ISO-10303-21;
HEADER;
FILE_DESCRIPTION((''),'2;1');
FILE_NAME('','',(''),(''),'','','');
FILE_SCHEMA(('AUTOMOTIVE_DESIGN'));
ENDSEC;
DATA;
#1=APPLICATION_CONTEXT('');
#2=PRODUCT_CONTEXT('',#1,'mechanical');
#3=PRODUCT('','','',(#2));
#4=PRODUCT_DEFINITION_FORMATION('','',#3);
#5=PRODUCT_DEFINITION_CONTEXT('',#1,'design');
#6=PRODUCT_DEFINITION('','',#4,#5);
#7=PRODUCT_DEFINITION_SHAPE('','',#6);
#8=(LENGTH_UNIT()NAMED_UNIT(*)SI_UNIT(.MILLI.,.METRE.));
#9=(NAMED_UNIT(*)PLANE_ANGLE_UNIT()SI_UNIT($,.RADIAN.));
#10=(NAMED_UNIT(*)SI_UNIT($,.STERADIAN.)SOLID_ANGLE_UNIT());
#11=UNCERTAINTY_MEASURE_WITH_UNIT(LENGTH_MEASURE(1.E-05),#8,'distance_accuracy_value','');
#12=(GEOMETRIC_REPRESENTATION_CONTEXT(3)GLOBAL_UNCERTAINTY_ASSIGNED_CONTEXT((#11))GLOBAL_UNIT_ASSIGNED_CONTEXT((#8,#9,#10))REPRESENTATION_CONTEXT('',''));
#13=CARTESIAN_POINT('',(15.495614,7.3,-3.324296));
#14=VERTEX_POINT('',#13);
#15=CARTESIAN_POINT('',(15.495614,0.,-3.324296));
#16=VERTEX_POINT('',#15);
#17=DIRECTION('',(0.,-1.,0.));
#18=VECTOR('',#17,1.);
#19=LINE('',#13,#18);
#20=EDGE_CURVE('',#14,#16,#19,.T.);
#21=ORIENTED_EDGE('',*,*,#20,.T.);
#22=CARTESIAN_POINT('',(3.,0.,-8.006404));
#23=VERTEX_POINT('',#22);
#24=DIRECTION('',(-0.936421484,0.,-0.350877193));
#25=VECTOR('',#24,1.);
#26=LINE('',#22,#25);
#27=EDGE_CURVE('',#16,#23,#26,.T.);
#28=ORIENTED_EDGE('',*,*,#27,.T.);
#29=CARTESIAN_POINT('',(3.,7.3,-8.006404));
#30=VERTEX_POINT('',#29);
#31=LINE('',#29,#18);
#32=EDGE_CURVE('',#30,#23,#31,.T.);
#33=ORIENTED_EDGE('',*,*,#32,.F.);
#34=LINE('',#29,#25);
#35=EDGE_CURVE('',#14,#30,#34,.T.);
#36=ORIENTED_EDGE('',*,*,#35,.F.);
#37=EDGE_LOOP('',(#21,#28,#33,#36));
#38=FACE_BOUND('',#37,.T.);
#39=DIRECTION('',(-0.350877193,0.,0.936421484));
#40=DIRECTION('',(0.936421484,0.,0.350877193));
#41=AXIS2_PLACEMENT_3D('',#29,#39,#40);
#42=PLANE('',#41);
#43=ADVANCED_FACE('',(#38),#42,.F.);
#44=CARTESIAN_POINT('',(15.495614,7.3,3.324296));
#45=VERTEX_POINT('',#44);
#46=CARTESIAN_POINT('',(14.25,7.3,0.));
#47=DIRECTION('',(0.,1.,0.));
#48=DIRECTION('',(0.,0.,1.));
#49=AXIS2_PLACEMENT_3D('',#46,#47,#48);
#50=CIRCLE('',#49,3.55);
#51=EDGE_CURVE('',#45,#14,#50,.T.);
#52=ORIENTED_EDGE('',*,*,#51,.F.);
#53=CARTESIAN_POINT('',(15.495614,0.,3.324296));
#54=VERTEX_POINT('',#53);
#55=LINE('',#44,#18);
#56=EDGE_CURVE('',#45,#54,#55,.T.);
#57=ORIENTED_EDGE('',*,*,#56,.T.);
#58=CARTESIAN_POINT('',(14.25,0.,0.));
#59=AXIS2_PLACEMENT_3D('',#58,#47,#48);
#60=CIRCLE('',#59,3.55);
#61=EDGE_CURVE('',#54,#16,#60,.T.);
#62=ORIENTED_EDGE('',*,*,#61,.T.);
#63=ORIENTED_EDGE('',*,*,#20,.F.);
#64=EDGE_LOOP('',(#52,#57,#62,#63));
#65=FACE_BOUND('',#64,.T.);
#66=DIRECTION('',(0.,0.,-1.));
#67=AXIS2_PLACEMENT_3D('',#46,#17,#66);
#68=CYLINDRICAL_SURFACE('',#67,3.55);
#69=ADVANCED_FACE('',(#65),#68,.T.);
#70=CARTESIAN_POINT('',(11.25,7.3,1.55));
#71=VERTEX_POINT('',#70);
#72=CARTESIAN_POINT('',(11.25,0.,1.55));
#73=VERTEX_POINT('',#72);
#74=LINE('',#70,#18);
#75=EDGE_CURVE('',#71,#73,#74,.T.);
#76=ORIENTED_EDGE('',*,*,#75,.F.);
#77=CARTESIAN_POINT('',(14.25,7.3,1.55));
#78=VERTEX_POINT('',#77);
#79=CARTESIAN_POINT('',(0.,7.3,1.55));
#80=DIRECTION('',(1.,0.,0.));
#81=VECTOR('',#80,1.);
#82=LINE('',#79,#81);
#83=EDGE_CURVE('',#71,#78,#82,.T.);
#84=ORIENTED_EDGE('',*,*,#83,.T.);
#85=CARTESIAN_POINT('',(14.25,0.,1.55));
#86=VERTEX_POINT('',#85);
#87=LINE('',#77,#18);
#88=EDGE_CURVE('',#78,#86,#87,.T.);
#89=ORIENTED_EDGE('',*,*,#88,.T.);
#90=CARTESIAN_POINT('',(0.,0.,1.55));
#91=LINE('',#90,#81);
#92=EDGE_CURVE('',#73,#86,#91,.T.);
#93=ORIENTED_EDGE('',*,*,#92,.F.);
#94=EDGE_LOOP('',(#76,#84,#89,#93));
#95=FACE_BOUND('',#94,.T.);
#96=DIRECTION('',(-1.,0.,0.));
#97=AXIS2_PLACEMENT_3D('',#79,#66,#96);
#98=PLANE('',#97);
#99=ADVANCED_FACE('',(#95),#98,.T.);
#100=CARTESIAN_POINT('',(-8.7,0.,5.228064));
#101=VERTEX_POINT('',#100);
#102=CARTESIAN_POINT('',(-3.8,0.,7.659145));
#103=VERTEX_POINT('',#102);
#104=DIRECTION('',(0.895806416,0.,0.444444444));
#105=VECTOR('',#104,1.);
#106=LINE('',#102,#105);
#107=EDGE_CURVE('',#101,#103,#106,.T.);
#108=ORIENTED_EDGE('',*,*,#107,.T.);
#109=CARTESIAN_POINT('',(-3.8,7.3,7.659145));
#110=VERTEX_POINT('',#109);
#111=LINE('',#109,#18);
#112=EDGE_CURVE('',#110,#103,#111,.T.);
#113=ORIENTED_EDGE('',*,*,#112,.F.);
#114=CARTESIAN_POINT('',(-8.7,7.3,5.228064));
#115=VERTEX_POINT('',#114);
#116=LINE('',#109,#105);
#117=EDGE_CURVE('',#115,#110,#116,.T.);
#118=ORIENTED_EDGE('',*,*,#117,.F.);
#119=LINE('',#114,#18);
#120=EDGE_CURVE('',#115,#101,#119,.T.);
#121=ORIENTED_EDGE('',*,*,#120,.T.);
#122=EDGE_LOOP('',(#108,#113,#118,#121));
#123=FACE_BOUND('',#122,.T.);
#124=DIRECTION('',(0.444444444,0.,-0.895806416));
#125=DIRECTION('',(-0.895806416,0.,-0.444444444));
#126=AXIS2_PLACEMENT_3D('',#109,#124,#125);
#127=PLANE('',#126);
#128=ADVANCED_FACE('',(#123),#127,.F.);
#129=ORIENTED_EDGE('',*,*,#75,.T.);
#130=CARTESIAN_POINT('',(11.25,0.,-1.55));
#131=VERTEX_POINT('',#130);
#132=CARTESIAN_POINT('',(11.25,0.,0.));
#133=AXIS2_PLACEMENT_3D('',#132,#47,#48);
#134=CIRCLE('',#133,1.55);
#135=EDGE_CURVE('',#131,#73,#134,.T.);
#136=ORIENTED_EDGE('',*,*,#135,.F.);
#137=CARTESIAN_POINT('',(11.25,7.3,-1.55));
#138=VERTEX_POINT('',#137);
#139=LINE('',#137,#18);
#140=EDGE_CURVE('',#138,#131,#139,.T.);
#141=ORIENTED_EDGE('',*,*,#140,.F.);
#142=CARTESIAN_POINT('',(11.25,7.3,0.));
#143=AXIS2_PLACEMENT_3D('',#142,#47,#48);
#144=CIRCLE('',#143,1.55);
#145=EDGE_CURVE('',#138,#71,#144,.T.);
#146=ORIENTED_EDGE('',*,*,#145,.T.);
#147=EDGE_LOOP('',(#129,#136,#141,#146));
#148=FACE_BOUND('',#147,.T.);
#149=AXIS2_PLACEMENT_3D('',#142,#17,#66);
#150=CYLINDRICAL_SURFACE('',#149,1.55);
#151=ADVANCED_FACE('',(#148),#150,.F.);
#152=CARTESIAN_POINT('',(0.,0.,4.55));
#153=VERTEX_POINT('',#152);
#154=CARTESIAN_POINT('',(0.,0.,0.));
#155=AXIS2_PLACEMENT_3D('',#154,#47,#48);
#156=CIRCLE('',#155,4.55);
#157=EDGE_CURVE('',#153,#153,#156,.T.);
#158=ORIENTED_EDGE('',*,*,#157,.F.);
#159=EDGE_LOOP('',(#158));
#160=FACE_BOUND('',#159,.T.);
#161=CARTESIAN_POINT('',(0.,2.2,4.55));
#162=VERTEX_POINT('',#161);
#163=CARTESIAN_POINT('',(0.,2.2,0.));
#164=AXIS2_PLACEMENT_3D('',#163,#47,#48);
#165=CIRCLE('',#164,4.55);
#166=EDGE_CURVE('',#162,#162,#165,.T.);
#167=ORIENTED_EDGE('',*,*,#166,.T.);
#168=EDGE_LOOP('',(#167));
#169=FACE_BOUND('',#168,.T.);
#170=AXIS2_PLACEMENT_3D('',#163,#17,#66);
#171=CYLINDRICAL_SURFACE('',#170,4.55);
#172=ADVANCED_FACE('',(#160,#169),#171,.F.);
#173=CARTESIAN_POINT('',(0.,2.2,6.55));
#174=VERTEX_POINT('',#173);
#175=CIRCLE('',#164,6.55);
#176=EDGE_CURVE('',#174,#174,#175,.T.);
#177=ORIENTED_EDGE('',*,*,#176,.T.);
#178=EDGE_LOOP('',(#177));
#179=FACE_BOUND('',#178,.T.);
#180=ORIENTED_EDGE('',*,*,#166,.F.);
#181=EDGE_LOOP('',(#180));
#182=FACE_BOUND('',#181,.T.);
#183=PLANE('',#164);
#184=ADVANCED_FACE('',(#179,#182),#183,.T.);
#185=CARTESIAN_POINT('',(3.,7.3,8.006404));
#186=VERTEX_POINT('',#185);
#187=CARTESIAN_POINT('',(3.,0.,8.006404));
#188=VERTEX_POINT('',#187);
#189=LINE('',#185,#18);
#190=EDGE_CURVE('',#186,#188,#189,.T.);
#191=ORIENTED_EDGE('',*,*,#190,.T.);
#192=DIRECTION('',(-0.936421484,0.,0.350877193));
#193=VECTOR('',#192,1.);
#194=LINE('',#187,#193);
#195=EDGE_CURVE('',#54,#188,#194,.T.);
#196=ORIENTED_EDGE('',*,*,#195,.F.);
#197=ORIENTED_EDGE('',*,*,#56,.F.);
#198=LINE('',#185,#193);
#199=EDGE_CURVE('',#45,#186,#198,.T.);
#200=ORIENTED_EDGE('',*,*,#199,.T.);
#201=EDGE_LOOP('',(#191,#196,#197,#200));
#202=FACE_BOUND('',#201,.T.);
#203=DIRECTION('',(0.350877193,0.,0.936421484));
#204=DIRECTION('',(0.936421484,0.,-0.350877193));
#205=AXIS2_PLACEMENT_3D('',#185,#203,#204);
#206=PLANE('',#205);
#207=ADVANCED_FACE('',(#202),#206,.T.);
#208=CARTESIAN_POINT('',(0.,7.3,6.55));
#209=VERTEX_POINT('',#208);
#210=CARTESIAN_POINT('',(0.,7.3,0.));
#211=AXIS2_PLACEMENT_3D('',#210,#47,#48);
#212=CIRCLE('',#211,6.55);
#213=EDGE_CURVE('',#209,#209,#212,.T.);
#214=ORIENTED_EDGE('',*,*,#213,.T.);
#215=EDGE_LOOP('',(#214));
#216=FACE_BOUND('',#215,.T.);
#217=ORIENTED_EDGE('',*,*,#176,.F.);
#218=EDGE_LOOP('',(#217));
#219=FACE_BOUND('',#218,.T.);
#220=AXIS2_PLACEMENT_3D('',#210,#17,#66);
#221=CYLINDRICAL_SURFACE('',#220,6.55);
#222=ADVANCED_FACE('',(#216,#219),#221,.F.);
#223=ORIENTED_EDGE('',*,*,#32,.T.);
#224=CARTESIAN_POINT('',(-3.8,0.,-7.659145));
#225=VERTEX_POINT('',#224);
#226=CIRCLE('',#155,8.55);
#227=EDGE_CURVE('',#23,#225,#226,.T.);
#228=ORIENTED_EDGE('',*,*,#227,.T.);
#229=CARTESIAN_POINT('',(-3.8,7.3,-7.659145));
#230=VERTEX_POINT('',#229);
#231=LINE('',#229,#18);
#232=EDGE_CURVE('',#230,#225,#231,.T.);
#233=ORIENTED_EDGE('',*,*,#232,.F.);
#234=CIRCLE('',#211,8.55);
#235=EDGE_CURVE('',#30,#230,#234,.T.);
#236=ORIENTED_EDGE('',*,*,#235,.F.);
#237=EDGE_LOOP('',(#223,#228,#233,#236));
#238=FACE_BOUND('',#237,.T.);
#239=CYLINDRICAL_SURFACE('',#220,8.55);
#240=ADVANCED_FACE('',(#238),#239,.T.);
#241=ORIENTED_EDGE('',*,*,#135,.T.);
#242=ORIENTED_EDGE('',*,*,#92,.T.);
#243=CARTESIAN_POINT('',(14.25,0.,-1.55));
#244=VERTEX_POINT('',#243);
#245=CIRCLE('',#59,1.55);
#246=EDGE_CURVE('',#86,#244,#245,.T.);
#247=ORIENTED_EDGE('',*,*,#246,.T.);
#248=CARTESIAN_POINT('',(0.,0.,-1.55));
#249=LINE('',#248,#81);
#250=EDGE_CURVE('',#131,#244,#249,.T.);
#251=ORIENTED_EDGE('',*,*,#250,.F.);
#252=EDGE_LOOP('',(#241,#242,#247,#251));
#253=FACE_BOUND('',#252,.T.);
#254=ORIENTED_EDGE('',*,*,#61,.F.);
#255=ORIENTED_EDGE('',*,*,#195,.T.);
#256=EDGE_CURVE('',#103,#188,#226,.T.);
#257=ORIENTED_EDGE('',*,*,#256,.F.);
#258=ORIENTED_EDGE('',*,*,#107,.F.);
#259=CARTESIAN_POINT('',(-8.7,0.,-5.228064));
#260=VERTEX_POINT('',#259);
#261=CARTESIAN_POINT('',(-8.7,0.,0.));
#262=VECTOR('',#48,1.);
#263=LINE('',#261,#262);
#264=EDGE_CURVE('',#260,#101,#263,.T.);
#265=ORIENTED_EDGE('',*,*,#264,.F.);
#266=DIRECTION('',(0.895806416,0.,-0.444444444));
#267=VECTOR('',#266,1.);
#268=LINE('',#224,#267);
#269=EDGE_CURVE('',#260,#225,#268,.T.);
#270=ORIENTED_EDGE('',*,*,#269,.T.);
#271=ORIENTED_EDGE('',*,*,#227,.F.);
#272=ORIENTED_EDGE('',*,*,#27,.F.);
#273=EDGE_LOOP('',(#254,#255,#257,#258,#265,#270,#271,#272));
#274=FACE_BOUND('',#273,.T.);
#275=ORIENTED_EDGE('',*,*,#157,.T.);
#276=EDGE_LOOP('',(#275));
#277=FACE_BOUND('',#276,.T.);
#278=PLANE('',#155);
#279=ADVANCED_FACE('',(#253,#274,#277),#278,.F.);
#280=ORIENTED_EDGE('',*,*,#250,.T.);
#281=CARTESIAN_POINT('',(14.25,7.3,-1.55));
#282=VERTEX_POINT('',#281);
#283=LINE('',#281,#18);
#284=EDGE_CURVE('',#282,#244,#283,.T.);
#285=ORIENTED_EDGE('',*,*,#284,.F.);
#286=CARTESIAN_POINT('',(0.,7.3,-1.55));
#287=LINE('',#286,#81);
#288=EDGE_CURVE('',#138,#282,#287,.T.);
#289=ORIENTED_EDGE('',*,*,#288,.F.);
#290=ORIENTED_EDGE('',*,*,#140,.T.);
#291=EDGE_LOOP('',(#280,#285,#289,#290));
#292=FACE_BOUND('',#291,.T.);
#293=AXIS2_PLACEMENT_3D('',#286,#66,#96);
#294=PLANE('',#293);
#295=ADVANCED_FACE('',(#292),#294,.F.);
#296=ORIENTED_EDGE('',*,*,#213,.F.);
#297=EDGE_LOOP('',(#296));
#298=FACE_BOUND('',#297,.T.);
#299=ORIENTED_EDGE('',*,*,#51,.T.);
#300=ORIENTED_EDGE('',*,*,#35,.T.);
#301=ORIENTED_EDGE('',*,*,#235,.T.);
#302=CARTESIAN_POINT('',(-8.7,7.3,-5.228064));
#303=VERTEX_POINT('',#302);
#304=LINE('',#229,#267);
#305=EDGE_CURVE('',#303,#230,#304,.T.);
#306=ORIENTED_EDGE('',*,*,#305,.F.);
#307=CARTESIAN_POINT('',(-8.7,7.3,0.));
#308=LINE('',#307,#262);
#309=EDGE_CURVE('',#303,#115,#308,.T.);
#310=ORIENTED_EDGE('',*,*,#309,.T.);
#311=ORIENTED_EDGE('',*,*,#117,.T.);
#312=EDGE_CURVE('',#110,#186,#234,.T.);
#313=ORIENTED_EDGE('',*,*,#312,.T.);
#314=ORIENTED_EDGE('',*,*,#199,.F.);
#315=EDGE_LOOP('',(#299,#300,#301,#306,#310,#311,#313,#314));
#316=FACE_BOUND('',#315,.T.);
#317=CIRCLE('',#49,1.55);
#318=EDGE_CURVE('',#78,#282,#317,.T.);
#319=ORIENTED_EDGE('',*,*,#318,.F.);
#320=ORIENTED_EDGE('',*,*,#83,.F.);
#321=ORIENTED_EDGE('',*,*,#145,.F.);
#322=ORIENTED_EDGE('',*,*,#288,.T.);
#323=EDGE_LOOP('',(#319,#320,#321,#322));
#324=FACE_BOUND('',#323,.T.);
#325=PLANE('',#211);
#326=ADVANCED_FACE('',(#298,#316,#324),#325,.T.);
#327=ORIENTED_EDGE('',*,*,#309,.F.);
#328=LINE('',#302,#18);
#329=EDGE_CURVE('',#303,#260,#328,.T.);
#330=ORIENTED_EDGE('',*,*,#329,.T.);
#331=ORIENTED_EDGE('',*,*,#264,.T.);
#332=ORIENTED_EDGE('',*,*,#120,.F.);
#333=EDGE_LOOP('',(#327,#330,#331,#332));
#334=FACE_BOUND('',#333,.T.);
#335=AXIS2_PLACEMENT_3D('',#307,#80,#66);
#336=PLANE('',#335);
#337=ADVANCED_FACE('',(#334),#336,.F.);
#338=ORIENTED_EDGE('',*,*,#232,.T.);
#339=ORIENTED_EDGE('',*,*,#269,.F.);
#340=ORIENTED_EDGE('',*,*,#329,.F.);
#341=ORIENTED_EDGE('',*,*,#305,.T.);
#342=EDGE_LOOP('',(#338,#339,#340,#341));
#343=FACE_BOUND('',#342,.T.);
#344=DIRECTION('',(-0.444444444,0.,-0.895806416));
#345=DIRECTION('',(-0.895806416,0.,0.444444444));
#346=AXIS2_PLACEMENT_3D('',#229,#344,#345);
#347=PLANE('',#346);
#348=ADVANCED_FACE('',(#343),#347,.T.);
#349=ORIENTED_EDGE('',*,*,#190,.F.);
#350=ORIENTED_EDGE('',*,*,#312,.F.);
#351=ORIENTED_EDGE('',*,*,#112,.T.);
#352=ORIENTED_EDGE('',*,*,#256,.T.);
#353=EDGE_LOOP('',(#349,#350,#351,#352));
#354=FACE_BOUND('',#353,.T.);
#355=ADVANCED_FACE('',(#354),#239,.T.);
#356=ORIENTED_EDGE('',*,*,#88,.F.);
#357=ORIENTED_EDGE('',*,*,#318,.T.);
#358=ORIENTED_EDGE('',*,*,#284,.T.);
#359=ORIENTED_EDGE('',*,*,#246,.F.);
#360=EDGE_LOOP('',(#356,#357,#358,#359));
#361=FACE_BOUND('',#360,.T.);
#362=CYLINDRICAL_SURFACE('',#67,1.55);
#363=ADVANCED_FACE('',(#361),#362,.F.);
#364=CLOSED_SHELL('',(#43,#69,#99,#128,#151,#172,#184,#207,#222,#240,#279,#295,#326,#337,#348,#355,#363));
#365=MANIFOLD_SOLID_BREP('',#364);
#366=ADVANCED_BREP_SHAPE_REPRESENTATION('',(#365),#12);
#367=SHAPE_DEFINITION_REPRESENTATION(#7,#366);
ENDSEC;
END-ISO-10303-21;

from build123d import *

# Parameters (mm, degrees)
SKETCH1_R     = 6.55
BODY_DEPTH    = 7.3
FLOOR_2_DEPTH = 2.2


with BuildPart() as part:
    # Sketch1 → Body (new body)
    with BuildSketch(Plane(origin=(0, 0, 0), x_dir=(1, 0, 0), z_dir=(0, 1, 0))):
        with BuildLine():
            Line((3, -8.006403687), (15.495614035, -3.324296268))
            ThreePointArc((15.495614035, -3.324296268), (17.8, 0), (15.495614035, 3.324296268))
            Line((15.495614035, 3.324296268), (3, 8.006403687))
            ThreePointArc((3, 8.006403687), (-0.436058681, 8.538873042), (-3.8, 7.659144861))
            Line((-3.8, 7.659144861), (-8.7, 5.228064063))
            Line((-8.7, 5.228064063), (-8.7, -5.228064063))
            Line((-8.7, -5.228064063), (-3.8, -7.659144861))
            ThreePointArc((-3.8, -7.659144861), (-0.436058681, -8.538873042), (3, -8.006403687))
        make_face()
        with Locations(Location((0, 0, 0), (0, 0, 270))):
            Circle(SKETCH1_R, mode=Mode.SUBTRACT)
        with BuildLine():
            Line((11.25, 1.55), (14.25, 1.55))
            ThreePointArc((14.25, 1.55), (15.8, 0), (14.25, -1.55))
            Line((14.25, -1.55), (11.25, -1.55))
            ThreePointArc((11.25, -1.55), (9.7, 0), (11.25, 1.55))
        make_face(mode=Mode.SUBTRACT)
    extrude(amount=BODY_DEPTH)

    # Sketch1<4> → Floor 2 (add)
    with BuildSketch(Plane(origin=(0, 0, 0), x_dir=(1, 0, 0), z_dir=(0, 1, 0))):
        with BuildLine():
            ThreePointArc((6.55, 0), (6.413226158, 1.33155182), (6.008616718, 2.607494034))
            Line((6.008616718, 2.607494034), (1.596491228, 4.260717752))
            ThreePointArc((1.596491228, 4.260717752), (3.73942075, 2.592148232), (4.55, 0))
            ThreePointArc((4.55, 0), (2.398060559, -3.866756464), (-2.022222222, -4.075919195))
            Line((-2.022222222, -4.075919195), (-6.242982203, -1.981835819))
            ThreePointArc((-6.242982203, -1.981835819), (-4.972324895, -4.263623476), (-2.911111111, -5.867532028))
            ThreePointArc((-2.911111111, -5.867532028), (-0.33405665, -6.541475839), (2.298245614, -6.133560719))
            ThreePointArc((2.298245614, -6.133560719), (5.383122178, -3.731554048), (6.55, 0))
        make_face()
        with BuildLine():
            Line((1.596491228, 4.260717752), (6.008616718, 2.607494034))
            ThreePointArc((6.008616718, 2.607494034), (4.512125554, 4.747970407), (2.298245614, 6.133560719))
            ThreePointArc((2.298245614, 6.133560719), (-0.33405665, 6.541475839), (-2.911111111, 5.867532028))
            ThreePointArc((-2.911111111, 5.867532028), (-6.029303442, 2.559296778), (-6.242982203, -1.981835819))
            Line((-6.242982203, -1.981835819), (-2.022222222, -4.075919195))
            ThreePointArc((-2.022222222, -4.075919195), (-4.173750186, 1.811714488), (1.596491228, 4.260717752))
        make_face()
    extrude(amount=FLOOR_2_DEPTH)


solid = part.part
